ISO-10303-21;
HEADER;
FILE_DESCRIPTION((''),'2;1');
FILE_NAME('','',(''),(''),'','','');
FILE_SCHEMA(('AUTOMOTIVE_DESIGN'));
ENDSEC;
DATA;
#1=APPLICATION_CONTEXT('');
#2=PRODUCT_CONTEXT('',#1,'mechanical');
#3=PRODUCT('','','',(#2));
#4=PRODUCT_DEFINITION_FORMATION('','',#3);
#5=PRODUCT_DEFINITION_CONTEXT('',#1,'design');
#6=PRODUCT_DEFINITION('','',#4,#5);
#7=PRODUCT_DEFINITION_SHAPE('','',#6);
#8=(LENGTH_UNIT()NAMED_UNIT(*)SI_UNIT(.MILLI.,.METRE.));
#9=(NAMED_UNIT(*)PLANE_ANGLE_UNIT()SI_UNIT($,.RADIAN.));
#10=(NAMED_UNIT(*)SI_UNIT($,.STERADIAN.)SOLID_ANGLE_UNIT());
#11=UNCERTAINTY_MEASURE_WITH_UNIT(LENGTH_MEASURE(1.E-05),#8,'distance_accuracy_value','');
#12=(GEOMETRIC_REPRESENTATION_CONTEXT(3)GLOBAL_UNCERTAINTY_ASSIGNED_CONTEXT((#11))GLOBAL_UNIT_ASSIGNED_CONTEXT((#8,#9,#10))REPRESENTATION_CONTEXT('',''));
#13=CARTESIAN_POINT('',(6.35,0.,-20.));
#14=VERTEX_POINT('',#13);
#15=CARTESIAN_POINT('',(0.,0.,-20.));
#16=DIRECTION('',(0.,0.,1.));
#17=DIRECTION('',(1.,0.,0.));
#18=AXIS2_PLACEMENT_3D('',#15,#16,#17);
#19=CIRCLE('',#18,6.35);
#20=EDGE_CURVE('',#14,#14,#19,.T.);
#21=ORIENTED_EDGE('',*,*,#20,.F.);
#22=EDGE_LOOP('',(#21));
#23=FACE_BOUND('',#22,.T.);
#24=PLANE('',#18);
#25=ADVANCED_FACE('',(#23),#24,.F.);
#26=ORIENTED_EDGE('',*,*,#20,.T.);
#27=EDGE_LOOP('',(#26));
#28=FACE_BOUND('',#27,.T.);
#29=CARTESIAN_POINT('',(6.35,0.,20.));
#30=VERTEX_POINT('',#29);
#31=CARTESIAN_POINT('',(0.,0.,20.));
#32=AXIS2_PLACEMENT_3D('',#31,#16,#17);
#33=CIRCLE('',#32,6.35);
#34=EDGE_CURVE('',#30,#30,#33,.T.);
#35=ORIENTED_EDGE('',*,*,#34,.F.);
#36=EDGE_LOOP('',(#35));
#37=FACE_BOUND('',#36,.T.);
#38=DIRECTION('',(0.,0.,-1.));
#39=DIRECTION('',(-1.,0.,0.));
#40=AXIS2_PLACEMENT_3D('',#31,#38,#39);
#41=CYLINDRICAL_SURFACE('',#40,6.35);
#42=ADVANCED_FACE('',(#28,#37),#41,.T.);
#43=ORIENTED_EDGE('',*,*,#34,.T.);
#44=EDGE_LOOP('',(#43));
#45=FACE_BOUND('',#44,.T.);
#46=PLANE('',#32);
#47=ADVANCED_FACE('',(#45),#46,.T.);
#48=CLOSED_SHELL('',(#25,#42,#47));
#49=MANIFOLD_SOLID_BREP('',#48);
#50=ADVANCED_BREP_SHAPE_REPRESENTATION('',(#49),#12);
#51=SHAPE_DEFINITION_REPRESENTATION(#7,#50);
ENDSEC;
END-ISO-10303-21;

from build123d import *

# Parameters (mm, degrees)
BOSS_EXTRUDE1_DEPTH = 20


with BuildPart() as part:
    # Sketch1 → Boss-Extrude1 (new, symmetric)
    with BuildSketch(Plane.XY):
        with BuildLine():
            ThreePointArc((6.35, 0), (5.499261326, 3.174999979), (3.175000041, 5.49926129))
            ThreePointArc((3.175000041, 5.49926129), (6.4e-08, 6.35), (-3.174999931, 5.499261354))
            ThreePointArc((-3.174999931, 5.499261354), (-5.499261299, 3.175000026), (-6.35, -1.9e-08))
            ThreePointArc((-6.35, -1.9e-08), (-5.499261291, -3.17500004), (-3.174999936, -5.499261351))
            ThreePointArc((-3.174999936, -5.499261351), (8e-09, -6.35), (3.17499995, -5.499261343))
            ThreePointArc((3.17499995, -5.499261343), (5.4992613, -3.175000025), (6.35, 0))
        make_face()
    extrude(amount=BOSS_EXTRUDE1_DEPTH, both=True)


solid = part.part
